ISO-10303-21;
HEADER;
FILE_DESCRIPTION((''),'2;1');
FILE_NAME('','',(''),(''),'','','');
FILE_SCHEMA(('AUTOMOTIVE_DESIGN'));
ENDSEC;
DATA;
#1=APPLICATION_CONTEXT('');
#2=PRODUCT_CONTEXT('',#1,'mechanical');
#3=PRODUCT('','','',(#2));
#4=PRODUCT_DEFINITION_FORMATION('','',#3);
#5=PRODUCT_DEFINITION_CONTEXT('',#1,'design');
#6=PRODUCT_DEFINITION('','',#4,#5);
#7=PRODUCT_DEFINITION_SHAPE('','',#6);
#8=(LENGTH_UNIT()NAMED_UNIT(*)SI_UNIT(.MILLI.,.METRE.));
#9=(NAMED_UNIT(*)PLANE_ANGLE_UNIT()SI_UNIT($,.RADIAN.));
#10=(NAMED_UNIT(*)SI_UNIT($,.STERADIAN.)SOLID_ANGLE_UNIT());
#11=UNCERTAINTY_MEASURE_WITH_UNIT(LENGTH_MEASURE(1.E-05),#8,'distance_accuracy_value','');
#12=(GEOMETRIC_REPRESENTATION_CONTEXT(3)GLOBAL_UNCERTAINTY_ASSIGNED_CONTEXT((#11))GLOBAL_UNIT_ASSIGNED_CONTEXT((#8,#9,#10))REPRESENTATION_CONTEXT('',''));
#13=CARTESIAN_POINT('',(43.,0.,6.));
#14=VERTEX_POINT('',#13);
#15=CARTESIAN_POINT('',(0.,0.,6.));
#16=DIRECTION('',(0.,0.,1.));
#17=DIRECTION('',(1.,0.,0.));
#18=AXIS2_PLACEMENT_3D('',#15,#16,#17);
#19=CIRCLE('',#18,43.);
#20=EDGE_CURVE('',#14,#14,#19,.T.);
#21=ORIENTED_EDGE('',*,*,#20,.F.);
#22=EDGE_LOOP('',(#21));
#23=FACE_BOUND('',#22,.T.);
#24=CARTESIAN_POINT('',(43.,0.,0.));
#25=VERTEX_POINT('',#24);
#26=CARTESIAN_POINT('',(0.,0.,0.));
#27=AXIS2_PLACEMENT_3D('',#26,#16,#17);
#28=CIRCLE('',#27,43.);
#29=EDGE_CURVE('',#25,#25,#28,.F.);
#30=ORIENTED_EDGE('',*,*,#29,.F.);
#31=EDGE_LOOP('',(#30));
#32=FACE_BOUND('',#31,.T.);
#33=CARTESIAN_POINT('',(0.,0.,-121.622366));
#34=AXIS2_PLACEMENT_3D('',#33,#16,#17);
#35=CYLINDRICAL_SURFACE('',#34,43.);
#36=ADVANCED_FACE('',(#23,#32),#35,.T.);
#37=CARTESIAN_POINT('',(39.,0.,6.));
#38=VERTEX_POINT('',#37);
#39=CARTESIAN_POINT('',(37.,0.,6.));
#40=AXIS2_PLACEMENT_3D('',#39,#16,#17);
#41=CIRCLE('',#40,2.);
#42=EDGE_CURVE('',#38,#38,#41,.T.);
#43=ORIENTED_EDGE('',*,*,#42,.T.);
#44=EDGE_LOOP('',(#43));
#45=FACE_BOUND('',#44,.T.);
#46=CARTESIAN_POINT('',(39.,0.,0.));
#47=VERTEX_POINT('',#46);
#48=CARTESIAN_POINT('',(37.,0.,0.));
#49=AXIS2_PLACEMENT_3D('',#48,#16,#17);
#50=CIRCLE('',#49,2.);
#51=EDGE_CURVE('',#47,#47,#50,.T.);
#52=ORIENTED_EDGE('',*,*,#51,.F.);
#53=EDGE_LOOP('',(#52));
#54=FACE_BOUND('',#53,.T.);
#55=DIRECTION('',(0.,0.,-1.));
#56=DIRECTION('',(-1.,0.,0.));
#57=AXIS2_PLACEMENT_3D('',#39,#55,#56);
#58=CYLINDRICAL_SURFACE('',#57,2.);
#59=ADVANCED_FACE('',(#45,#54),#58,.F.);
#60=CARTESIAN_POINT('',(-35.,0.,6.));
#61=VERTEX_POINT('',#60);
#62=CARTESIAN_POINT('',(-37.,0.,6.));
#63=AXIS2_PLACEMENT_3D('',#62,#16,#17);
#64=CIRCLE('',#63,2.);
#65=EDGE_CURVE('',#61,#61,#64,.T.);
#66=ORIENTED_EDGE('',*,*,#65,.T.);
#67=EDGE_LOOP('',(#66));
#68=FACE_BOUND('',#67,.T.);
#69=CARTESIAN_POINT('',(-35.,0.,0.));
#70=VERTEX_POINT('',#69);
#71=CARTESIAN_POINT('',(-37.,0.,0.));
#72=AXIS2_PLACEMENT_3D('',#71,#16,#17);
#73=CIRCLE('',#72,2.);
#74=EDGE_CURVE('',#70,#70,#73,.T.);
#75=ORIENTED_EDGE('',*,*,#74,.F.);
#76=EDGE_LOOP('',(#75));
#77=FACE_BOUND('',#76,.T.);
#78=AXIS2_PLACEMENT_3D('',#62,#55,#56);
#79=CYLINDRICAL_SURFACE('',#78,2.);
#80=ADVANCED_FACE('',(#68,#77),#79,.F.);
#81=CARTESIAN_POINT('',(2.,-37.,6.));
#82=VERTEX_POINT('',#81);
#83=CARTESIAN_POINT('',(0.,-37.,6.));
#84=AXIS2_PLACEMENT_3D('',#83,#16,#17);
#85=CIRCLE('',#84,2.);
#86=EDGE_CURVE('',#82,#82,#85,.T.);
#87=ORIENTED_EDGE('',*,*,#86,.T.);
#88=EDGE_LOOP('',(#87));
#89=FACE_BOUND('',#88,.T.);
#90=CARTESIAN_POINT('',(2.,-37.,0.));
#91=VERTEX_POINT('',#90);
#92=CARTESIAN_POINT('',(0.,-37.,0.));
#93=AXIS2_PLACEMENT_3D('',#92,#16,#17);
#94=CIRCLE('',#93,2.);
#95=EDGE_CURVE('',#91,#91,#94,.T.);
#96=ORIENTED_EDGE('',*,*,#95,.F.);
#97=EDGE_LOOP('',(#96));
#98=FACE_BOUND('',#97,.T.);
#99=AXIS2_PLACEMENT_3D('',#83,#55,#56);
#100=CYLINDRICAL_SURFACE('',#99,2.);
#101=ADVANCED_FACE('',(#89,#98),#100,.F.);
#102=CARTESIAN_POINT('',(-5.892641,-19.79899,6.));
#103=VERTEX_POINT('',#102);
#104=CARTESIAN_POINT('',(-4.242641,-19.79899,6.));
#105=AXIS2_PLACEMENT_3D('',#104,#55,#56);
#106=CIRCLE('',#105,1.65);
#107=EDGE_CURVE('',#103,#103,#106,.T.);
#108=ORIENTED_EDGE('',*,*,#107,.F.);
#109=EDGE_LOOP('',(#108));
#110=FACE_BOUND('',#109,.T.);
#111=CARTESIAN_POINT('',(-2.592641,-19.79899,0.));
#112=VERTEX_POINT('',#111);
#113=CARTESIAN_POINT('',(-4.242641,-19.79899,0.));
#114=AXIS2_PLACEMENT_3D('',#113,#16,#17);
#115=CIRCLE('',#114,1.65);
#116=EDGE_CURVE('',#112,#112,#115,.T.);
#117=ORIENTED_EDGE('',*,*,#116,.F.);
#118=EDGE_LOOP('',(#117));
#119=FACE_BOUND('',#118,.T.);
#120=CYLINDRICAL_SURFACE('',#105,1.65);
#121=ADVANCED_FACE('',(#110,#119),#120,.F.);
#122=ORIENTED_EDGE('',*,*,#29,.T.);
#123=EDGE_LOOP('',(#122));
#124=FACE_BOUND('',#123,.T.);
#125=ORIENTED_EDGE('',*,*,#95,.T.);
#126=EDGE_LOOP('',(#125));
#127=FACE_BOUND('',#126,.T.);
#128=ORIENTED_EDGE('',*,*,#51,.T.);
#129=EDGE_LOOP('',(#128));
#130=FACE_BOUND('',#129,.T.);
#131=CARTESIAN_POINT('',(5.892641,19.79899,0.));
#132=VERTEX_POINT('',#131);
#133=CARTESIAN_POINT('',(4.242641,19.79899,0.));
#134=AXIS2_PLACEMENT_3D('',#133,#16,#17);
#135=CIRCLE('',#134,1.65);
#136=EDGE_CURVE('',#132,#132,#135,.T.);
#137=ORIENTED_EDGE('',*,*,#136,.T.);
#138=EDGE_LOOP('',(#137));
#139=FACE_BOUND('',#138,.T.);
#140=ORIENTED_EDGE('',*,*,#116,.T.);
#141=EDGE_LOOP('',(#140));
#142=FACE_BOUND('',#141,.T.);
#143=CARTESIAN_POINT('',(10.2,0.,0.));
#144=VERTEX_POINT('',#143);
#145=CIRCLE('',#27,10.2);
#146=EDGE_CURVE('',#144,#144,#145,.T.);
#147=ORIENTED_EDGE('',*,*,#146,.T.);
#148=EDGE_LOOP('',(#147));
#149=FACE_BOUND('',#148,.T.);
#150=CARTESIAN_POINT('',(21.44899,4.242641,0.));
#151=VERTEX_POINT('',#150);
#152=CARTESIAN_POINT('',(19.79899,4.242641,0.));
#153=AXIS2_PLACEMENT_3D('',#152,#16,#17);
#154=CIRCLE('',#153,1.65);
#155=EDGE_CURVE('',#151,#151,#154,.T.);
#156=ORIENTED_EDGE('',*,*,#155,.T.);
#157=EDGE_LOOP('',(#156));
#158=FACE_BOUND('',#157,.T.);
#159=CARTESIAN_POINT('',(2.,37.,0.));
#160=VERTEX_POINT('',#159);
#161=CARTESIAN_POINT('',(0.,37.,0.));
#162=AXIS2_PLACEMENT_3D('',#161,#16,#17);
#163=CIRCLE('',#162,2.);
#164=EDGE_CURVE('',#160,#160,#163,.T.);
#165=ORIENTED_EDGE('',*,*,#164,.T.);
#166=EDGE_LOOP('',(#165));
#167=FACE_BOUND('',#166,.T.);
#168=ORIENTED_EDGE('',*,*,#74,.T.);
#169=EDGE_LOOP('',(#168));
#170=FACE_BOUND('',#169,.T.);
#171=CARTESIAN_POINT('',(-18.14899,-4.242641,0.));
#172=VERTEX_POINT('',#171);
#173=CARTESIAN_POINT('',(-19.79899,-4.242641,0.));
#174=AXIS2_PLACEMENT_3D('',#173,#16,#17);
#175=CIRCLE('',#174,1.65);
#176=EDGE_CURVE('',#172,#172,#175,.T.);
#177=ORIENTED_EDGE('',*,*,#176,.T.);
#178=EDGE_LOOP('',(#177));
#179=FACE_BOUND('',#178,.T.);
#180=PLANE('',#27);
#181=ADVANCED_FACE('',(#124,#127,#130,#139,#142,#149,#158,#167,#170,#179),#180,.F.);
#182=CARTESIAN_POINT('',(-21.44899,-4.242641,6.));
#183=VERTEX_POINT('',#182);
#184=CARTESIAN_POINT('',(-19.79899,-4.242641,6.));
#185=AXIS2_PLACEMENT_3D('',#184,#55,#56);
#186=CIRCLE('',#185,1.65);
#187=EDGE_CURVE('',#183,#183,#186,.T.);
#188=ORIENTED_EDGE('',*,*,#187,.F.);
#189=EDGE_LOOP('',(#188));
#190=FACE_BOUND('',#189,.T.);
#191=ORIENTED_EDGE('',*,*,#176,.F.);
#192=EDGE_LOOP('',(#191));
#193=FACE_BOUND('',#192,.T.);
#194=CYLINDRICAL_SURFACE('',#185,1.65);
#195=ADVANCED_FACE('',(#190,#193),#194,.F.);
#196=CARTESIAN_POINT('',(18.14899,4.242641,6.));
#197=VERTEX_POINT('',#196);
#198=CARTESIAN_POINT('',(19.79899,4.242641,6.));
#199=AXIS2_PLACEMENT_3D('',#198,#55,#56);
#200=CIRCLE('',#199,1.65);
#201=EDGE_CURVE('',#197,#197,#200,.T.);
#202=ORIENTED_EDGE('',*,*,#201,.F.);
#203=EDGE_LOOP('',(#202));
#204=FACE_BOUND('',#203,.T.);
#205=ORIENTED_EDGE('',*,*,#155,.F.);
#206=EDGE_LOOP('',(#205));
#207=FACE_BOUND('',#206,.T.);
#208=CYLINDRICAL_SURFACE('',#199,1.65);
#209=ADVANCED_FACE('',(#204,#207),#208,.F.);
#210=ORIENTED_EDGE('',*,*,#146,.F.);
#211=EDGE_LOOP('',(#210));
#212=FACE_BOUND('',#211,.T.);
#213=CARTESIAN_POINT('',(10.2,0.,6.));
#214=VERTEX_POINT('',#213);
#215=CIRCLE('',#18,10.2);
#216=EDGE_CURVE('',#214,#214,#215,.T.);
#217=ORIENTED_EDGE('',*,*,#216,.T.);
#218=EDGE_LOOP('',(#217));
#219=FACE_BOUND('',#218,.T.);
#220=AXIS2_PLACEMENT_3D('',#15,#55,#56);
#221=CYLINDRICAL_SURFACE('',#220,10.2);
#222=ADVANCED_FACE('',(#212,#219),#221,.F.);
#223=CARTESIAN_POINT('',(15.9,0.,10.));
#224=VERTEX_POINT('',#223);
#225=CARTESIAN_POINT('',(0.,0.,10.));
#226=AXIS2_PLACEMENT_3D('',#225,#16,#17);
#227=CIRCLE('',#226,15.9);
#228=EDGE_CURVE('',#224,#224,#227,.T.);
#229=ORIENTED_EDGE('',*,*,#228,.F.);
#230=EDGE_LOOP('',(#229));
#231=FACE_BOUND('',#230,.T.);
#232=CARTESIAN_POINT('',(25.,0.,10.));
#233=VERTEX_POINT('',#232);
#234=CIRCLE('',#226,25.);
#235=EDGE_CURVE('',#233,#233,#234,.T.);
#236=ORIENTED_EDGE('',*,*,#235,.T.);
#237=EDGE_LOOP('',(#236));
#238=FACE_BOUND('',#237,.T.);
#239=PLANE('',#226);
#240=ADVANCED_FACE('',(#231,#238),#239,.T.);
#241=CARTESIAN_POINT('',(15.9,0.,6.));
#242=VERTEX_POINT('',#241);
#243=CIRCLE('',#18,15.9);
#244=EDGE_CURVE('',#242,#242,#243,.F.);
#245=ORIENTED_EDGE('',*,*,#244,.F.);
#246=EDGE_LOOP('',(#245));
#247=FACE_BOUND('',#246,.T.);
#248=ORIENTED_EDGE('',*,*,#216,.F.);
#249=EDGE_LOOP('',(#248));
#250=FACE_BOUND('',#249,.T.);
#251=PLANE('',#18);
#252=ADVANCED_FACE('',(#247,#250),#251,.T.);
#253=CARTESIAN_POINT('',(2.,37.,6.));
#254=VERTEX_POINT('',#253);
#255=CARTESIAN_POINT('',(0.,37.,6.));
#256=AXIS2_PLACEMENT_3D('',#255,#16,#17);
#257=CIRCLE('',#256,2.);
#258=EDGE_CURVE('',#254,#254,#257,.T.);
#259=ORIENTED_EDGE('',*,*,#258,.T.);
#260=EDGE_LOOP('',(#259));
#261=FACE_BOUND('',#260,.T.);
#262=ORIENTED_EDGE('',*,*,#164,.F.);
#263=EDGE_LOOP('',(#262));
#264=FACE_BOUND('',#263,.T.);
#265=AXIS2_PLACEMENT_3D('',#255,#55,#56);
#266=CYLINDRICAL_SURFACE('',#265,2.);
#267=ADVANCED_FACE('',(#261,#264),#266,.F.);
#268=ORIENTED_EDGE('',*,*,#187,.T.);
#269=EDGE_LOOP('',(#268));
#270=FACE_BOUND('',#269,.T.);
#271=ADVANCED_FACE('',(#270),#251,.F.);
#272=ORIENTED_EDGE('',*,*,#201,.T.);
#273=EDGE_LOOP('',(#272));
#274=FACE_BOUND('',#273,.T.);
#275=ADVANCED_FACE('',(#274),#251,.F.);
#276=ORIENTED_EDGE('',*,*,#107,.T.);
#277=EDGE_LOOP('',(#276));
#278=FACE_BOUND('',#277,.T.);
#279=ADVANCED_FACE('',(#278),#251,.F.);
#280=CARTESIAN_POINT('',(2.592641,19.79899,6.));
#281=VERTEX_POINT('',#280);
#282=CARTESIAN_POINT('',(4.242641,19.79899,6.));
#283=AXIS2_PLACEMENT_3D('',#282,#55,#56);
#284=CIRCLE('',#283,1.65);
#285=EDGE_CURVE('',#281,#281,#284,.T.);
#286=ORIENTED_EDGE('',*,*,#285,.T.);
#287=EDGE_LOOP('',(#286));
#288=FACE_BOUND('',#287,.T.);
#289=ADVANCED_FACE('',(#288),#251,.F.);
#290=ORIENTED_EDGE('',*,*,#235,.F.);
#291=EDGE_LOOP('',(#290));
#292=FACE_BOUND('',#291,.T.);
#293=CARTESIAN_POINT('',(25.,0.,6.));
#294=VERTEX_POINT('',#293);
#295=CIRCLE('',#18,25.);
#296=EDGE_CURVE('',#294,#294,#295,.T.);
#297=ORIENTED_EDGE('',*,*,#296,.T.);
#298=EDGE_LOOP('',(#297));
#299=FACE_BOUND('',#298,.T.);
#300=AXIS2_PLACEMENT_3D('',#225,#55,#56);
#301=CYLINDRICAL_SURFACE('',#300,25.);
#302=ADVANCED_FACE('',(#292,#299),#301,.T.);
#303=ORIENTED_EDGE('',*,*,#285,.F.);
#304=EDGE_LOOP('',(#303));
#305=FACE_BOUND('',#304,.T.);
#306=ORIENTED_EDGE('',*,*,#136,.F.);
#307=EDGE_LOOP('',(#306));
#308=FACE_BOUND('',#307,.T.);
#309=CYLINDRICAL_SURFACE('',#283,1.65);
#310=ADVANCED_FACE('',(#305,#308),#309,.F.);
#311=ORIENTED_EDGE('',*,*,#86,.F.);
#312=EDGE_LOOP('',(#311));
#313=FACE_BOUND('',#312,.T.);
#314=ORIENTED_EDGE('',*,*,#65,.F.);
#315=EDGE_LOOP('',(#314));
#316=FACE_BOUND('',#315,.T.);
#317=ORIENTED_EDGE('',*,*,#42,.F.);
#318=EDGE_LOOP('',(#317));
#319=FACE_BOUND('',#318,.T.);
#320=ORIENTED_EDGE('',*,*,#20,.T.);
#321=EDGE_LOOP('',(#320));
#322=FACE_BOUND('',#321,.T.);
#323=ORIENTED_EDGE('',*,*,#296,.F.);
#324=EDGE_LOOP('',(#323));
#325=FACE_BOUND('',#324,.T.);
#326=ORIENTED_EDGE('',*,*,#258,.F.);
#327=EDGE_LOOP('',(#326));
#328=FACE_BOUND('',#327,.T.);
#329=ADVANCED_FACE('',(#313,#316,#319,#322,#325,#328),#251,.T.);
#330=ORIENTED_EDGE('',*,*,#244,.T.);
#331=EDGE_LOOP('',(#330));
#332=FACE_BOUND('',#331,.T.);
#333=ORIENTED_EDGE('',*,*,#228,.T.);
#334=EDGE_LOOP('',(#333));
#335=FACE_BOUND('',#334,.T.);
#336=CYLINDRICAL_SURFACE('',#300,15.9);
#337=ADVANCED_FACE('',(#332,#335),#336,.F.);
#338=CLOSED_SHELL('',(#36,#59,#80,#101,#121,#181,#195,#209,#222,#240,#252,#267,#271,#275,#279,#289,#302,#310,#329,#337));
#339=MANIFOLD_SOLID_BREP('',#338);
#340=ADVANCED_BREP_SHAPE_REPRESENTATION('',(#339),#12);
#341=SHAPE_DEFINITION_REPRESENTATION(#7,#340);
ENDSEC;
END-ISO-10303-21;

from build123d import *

# Parameters (mm, degrees)
SKETCH_1_R               = 41.5
SKETCH_1_R_2             = 2
SKETCH_1_R_3             = 10.2
EXTRUDE_1_DEPTH          = 6
CUT_EXTRUDE_1_DEPTH      = 59.99576256
CUT_EXTRUDE_1_DEPTH_BACK = 59.99576256
SKETCH_4_R               = 1.65
SKETCH_3_R               = 25
SKETCH_3_R_2             = 15.9
EXTRUDE_2_DEPTH          = 4
EXTRUDE_START            = -6
SKETCH_5_R               = 43
SKETCH_5_R_2             = 41.5
EXTRUDE_4_DEPTH          = 6


with BuildPart() as part:
    # 草图1 → 凸台-拉伸1 (new body)
    with BuildSketch(Plane.XY):
        Circle(SKETCH_1_R)
        with Locations((0, -37)):
            Circle(SKETCH_1_R_2, mode=Mode.SUBTRACT)
        with Locations((-37, 0)):
            Circle(SKETCH_1_R_2, mode=Mode.SUBTRACT)
        with Locations((0, 37)):
            Circle(SKETCH_1_R_2, mode=Mode.SUBTRACT)
        with Locations((37, 0)):
            Circle(SKETCH_1_R_2, mode=Mode.SUBTRACT)
        Circle(SKETCH_1_R_3, mode=Mode.SUBTRACT)
    extrude(amount=EXTRUDE_1_DEPTH)

    # 草图4 → 切除-拉伸1 (cut, two sides: drawn at the far end of the back side and taken through both)
    with BuildSketch(Plane(origin=(0, 0, 0), x_dir=(-1, 0, 0), z_dir=(0, 0, -1)).offset(-CUT_EXTRUDE_1_DEPTH_BACK)):
        with Locations((-19.798989873, 4.242640687)):
            Circle(SKETCH_4_R)
        with Locations((-4.242640687, 19.798989873)):
            Circle(SKETCH_4_R)
        with Locations((19.798989873, -4.242640687)):
            Circle(SKETCH_4_R)
        with Locations((4.242640687, -19.798989873)):
            Circle(SKETCH_4_R)
    extrude(amount=CUT_EXTRUDE_1_DEPTH + CUT_EXTRUDE_1_DEPTH_BACK, mode=Mode.SUBTRACT)

    # 草图3 → 凸台-拉伸2 (add)
    with BuildSketch(Plane.XY.offset(6)):
        Circle(SKETCH_3_R)
        Circle(SKETCH_3_R_2, mode=Mode.SUBTRACT)
    extrude(amount=EXTRUDE_2_DEPTH)

    # 草图5 → 凸台-拉伸4 (add)
    with BuildSketch(Plane.XY.offset(6).offset(EXTRUDE_START)):
        Circle(SKETCH_5_R)
        Circle(SKETCH_5_R_2, mode=Mode.SUBTRACT)
    extrude(amount=EXTRUDE_4_DEPTH)


solid = part.part
